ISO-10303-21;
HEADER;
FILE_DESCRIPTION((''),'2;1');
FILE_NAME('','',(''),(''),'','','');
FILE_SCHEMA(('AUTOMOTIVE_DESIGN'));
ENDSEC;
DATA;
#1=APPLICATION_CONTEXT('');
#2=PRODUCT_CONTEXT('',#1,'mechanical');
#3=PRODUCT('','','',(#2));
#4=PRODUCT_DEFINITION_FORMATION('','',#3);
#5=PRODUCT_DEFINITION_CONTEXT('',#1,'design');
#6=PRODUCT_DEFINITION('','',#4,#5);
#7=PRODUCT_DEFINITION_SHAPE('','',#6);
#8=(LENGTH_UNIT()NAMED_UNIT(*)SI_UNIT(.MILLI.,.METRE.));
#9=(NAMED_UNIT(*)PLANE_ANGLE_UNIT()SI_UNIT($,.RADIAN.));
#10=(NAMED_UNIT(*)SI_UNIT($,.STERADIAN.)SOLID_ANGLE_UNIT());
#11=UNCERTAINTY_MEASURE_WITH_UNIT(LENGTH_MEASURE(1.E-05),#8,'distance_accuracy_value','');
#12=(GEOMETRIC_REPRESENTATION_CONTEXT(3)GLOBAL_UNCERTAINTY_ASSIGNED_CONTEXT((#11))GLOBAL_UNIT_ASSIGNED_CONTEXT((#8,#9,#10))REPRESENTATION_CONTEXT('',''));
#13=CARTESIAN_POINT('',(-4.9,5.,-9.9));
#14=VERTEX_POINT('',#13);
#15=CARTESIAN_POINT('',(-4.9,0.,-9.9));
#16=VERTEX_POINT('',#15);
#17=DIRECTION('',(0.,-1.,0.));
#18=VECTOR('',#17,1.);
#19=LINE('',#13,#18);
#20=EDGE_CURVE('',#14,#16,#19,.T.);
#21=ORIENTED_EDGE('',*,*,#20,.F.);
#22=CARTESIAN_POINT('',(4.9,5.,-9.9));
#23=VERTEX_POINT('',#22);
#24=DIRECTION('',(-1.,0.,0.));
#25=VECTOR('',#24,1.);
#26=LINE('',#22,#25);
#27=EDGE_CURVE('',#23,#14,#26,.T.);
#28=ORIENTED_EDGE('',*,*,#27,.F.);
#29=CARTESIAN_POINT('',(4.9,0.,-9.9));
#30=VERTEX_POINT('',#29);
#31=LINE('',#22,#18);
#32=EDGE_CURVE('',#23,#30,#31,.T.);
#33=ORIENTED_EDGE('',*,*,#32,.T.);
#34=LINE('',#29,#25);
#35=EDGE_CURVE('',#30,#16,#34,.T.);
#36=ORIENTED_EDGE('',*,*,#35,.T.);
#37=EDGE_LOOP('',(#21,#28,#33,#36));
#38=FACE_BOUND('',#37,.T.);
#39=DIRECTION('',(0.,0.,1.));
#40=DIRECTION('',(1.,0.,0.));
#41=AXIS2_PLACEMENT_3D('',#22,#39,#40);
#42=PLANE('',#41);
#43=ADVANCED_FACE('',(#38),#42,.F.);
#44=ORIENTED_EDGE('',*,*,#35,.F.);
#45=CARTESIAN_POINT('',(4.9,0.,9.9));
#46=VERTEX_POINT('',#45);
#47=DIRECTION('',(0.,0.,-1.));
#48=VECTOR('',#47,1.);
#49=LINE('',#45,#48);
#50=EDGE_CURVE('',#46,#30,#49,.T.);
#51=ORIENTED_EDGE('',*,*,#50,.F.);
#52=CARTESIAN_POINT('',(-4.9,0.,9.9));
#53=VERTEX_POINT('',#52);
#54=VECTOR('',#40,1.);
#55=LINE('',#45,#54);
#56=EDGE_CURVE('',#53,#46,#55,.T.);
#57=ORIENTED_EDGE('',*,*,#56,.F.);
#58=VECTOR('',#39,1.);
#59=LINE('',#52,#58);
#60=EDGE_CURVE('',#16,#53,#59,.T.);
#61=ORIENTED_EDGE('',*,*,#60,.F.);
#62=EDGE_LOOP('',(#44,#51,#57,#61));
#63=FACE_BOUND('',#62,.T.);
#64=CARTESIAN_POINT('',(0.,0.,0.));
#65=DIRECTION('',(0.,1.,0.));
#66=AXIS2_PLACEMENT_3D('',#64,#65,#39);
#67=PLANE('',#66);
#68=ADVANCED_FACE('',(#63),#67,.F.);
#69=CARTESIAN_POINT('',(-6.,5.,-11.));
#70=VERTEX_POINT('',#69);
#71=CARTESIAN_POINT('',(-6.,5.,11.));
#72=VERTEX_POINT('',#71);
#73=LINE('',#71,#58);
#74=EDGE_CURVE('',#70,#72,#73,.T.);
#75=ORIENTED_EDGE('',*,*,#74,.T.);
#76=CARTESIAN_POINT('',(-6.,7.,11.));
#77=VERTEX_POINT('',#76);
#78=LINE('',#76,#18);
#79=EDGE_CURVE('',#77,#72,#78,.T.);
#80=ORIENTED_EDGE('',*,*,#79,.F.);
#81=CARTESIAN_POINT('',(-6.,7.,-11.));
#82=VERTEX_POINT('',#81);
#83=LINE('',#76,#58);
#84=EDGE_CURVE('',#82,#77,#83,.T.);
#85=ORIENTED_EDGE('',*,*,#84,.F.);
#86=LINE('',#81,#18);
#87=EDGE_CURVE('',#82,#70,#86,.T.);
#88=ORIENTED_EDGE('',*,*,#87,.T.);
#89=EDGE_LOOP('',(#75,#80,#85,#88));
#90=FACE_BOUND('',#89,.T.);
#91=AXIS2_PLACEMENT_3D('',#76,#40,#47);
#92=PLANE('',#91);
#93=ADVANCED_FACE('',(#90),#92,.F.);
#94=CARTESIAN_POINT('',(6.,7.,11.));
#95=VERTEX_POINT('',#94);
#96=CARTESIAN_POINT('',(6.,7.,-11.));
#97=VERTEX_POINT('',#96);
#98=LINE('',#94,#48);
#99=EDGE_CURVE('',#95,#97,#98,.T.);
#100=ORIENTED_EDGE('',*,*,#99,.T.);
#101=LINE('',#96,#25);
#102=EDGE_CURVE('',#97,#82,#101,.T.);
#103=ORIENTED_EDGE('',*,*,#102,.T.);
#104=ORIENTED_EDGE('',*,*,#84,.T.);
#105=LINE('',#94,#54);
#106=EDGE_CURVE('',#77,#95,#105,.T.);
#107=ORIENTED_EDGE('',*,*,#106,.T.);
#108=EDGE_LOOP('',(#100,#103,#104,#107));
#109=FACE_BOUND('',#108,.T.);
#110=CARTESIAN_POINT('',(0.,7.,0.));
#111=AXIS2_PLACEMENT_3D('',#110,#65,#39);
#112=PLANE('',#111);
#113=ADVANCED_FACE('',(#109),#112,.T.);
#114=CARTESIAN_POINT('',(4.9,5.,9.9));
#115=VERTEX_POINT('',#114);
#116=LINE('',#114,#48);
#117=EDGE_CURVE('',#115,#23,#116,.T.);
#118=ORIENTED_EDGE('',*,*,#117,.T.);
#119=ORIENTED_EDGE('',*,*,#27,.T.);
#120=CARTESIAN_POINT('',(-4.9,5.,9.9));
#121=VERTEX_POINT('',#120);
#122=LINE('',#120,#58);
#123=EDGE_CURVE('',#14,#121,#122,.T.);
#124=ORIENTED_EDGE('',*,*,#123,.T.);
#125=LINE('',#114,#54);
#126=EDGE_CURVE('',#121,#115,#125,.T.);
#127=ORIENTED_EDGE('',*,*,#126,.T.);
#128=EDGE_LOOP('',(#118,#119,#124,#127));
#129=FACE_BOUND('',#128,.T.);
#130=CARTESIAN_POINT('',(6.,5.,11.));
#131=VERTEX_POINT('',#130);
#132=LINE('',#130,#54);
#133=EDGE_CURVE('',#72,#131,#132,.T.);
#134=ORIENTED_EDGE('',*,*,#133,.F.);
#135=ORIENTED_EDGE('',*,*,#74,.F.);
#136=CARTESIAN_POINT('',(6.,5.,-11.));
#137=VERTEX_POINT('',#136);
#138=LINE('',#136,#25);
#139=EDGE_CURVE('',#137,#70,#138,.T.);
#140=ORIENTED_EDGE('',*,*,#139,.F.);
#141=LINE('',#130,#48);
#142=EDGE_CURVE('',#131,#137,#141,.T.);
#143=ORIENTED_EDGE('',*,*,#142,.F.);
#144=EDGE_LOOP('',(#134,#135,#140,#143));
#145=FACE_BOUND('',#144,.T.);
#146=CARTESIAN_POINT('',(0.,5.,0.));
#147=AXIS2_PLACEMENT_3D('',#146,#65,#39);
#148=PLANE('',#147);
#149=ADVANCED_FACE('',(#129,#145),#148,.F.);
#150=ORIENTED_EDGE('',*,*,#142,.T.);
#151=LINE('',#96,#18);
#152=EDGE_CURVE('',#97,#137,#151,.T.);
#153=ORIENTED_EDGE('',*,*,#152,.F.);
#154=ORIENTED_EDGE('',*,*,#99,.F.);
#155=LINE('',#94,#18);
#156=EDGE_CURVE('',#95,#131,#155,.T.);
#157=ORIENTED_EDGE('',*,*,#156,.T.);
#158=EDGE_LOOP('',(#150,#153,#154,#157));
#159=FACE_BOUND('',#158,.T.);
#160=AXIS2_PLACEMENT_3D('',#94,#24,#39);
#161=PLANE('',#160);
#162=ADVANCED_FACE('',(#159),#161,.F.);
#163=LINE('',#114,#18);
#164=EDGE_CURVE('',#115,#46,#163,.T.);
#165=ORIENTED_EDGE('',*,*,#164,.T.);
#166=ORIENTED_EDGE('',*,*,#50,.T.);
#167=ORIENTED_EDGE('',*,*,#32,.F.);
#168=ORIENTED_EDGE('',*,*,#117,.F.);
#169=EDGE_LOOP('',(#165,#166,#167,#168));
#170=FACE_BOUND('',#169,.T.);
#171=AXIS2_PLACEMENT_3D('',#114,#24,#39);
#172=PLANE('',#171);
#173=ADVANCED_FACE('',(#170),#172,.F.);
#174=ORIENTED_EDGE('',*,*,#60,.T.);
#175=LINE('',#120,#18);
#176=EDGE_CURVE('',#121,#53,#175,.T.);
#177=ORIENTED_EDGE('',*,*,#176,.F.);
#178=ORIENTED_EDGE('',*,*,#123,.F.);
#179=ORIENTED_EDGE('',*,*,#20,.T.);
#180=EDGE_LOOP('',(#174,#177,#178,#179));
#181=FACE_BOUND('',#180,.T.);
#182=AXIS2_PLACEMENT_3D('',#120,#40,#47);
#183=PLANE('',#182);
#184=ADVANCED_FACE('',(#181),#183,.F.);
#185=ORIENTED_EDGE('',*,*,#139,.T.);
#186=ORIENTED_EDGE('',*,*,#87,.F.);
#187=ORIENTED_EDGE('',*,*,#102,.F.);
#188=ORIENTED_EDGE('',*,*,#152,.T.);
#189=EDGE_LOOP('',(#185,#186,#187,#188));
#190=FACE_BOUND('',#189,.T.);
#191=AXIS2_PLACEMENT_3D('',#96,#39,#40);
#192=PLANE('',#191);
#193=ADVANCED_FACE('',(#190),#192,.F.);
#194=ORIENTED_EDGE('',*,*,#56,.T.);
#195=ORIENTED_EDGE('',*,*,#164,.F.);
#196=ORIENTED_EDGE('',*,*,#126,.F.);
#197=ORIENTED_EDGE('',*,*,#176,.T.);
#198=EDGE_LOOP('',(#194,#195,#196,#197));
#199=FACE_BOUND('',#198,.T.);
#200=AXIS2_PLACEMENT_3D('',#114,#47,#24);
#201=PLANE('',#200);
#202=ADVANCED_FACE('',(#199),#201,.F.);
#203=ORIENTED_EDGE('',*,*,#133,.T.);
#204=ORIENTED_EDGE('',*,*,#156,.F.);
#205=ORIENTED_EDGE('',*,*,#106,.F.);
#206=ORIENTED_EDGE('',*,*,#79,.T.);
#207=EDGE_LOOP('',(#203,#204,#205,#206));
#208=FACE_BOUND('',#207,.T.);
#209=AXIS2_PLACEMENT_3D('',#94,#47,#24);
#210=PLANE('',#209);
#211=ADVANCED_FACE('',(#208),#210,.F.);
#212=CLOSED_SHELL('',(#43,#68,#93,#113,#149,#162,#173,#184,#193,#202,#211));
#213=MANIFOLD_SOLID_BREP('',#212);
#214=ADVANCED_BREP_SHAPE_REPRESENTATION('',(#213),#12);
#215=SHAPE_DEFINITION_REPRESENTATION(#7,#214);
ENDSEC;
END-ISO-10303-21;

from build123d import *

# Parameters (mm, degrees)
SKETCH1_W           = 9.8
SKETCH1_H           = 19.8
BOSS_EXTRUDE1_DEPTH = 5
SKETCH2_W           = 12
SKETCH2_H           = 22
BOSS_EXTRUDE2_DEPTH = 2


with BuildPart() as part:
    # Sketch1 → Boss-Extrude1 (new body)
    with BuildSketch(Plane(origin=(0, 0, 0), x_dir=(1, 0, 0), z_dir=(0, 1, 0))):
        Rectangle(SKETCH1_W, SKETCH1_H)
    extrude(amount=BOSS_EXTRUDE1_DEPTH)

    # Sketch2 → Boss-Extrude2 (add)
    with BuildSketch(Plane(origin=(0, 5, 0), x_dir=(1, 0, 0), z_dir=(0, 1, 0))):
        Rectangle(SKETCH2_W, SKETCH2_H)
    extrude(amount=BOSS_EXTRUDE2_DEPTH)


solid = part.part
